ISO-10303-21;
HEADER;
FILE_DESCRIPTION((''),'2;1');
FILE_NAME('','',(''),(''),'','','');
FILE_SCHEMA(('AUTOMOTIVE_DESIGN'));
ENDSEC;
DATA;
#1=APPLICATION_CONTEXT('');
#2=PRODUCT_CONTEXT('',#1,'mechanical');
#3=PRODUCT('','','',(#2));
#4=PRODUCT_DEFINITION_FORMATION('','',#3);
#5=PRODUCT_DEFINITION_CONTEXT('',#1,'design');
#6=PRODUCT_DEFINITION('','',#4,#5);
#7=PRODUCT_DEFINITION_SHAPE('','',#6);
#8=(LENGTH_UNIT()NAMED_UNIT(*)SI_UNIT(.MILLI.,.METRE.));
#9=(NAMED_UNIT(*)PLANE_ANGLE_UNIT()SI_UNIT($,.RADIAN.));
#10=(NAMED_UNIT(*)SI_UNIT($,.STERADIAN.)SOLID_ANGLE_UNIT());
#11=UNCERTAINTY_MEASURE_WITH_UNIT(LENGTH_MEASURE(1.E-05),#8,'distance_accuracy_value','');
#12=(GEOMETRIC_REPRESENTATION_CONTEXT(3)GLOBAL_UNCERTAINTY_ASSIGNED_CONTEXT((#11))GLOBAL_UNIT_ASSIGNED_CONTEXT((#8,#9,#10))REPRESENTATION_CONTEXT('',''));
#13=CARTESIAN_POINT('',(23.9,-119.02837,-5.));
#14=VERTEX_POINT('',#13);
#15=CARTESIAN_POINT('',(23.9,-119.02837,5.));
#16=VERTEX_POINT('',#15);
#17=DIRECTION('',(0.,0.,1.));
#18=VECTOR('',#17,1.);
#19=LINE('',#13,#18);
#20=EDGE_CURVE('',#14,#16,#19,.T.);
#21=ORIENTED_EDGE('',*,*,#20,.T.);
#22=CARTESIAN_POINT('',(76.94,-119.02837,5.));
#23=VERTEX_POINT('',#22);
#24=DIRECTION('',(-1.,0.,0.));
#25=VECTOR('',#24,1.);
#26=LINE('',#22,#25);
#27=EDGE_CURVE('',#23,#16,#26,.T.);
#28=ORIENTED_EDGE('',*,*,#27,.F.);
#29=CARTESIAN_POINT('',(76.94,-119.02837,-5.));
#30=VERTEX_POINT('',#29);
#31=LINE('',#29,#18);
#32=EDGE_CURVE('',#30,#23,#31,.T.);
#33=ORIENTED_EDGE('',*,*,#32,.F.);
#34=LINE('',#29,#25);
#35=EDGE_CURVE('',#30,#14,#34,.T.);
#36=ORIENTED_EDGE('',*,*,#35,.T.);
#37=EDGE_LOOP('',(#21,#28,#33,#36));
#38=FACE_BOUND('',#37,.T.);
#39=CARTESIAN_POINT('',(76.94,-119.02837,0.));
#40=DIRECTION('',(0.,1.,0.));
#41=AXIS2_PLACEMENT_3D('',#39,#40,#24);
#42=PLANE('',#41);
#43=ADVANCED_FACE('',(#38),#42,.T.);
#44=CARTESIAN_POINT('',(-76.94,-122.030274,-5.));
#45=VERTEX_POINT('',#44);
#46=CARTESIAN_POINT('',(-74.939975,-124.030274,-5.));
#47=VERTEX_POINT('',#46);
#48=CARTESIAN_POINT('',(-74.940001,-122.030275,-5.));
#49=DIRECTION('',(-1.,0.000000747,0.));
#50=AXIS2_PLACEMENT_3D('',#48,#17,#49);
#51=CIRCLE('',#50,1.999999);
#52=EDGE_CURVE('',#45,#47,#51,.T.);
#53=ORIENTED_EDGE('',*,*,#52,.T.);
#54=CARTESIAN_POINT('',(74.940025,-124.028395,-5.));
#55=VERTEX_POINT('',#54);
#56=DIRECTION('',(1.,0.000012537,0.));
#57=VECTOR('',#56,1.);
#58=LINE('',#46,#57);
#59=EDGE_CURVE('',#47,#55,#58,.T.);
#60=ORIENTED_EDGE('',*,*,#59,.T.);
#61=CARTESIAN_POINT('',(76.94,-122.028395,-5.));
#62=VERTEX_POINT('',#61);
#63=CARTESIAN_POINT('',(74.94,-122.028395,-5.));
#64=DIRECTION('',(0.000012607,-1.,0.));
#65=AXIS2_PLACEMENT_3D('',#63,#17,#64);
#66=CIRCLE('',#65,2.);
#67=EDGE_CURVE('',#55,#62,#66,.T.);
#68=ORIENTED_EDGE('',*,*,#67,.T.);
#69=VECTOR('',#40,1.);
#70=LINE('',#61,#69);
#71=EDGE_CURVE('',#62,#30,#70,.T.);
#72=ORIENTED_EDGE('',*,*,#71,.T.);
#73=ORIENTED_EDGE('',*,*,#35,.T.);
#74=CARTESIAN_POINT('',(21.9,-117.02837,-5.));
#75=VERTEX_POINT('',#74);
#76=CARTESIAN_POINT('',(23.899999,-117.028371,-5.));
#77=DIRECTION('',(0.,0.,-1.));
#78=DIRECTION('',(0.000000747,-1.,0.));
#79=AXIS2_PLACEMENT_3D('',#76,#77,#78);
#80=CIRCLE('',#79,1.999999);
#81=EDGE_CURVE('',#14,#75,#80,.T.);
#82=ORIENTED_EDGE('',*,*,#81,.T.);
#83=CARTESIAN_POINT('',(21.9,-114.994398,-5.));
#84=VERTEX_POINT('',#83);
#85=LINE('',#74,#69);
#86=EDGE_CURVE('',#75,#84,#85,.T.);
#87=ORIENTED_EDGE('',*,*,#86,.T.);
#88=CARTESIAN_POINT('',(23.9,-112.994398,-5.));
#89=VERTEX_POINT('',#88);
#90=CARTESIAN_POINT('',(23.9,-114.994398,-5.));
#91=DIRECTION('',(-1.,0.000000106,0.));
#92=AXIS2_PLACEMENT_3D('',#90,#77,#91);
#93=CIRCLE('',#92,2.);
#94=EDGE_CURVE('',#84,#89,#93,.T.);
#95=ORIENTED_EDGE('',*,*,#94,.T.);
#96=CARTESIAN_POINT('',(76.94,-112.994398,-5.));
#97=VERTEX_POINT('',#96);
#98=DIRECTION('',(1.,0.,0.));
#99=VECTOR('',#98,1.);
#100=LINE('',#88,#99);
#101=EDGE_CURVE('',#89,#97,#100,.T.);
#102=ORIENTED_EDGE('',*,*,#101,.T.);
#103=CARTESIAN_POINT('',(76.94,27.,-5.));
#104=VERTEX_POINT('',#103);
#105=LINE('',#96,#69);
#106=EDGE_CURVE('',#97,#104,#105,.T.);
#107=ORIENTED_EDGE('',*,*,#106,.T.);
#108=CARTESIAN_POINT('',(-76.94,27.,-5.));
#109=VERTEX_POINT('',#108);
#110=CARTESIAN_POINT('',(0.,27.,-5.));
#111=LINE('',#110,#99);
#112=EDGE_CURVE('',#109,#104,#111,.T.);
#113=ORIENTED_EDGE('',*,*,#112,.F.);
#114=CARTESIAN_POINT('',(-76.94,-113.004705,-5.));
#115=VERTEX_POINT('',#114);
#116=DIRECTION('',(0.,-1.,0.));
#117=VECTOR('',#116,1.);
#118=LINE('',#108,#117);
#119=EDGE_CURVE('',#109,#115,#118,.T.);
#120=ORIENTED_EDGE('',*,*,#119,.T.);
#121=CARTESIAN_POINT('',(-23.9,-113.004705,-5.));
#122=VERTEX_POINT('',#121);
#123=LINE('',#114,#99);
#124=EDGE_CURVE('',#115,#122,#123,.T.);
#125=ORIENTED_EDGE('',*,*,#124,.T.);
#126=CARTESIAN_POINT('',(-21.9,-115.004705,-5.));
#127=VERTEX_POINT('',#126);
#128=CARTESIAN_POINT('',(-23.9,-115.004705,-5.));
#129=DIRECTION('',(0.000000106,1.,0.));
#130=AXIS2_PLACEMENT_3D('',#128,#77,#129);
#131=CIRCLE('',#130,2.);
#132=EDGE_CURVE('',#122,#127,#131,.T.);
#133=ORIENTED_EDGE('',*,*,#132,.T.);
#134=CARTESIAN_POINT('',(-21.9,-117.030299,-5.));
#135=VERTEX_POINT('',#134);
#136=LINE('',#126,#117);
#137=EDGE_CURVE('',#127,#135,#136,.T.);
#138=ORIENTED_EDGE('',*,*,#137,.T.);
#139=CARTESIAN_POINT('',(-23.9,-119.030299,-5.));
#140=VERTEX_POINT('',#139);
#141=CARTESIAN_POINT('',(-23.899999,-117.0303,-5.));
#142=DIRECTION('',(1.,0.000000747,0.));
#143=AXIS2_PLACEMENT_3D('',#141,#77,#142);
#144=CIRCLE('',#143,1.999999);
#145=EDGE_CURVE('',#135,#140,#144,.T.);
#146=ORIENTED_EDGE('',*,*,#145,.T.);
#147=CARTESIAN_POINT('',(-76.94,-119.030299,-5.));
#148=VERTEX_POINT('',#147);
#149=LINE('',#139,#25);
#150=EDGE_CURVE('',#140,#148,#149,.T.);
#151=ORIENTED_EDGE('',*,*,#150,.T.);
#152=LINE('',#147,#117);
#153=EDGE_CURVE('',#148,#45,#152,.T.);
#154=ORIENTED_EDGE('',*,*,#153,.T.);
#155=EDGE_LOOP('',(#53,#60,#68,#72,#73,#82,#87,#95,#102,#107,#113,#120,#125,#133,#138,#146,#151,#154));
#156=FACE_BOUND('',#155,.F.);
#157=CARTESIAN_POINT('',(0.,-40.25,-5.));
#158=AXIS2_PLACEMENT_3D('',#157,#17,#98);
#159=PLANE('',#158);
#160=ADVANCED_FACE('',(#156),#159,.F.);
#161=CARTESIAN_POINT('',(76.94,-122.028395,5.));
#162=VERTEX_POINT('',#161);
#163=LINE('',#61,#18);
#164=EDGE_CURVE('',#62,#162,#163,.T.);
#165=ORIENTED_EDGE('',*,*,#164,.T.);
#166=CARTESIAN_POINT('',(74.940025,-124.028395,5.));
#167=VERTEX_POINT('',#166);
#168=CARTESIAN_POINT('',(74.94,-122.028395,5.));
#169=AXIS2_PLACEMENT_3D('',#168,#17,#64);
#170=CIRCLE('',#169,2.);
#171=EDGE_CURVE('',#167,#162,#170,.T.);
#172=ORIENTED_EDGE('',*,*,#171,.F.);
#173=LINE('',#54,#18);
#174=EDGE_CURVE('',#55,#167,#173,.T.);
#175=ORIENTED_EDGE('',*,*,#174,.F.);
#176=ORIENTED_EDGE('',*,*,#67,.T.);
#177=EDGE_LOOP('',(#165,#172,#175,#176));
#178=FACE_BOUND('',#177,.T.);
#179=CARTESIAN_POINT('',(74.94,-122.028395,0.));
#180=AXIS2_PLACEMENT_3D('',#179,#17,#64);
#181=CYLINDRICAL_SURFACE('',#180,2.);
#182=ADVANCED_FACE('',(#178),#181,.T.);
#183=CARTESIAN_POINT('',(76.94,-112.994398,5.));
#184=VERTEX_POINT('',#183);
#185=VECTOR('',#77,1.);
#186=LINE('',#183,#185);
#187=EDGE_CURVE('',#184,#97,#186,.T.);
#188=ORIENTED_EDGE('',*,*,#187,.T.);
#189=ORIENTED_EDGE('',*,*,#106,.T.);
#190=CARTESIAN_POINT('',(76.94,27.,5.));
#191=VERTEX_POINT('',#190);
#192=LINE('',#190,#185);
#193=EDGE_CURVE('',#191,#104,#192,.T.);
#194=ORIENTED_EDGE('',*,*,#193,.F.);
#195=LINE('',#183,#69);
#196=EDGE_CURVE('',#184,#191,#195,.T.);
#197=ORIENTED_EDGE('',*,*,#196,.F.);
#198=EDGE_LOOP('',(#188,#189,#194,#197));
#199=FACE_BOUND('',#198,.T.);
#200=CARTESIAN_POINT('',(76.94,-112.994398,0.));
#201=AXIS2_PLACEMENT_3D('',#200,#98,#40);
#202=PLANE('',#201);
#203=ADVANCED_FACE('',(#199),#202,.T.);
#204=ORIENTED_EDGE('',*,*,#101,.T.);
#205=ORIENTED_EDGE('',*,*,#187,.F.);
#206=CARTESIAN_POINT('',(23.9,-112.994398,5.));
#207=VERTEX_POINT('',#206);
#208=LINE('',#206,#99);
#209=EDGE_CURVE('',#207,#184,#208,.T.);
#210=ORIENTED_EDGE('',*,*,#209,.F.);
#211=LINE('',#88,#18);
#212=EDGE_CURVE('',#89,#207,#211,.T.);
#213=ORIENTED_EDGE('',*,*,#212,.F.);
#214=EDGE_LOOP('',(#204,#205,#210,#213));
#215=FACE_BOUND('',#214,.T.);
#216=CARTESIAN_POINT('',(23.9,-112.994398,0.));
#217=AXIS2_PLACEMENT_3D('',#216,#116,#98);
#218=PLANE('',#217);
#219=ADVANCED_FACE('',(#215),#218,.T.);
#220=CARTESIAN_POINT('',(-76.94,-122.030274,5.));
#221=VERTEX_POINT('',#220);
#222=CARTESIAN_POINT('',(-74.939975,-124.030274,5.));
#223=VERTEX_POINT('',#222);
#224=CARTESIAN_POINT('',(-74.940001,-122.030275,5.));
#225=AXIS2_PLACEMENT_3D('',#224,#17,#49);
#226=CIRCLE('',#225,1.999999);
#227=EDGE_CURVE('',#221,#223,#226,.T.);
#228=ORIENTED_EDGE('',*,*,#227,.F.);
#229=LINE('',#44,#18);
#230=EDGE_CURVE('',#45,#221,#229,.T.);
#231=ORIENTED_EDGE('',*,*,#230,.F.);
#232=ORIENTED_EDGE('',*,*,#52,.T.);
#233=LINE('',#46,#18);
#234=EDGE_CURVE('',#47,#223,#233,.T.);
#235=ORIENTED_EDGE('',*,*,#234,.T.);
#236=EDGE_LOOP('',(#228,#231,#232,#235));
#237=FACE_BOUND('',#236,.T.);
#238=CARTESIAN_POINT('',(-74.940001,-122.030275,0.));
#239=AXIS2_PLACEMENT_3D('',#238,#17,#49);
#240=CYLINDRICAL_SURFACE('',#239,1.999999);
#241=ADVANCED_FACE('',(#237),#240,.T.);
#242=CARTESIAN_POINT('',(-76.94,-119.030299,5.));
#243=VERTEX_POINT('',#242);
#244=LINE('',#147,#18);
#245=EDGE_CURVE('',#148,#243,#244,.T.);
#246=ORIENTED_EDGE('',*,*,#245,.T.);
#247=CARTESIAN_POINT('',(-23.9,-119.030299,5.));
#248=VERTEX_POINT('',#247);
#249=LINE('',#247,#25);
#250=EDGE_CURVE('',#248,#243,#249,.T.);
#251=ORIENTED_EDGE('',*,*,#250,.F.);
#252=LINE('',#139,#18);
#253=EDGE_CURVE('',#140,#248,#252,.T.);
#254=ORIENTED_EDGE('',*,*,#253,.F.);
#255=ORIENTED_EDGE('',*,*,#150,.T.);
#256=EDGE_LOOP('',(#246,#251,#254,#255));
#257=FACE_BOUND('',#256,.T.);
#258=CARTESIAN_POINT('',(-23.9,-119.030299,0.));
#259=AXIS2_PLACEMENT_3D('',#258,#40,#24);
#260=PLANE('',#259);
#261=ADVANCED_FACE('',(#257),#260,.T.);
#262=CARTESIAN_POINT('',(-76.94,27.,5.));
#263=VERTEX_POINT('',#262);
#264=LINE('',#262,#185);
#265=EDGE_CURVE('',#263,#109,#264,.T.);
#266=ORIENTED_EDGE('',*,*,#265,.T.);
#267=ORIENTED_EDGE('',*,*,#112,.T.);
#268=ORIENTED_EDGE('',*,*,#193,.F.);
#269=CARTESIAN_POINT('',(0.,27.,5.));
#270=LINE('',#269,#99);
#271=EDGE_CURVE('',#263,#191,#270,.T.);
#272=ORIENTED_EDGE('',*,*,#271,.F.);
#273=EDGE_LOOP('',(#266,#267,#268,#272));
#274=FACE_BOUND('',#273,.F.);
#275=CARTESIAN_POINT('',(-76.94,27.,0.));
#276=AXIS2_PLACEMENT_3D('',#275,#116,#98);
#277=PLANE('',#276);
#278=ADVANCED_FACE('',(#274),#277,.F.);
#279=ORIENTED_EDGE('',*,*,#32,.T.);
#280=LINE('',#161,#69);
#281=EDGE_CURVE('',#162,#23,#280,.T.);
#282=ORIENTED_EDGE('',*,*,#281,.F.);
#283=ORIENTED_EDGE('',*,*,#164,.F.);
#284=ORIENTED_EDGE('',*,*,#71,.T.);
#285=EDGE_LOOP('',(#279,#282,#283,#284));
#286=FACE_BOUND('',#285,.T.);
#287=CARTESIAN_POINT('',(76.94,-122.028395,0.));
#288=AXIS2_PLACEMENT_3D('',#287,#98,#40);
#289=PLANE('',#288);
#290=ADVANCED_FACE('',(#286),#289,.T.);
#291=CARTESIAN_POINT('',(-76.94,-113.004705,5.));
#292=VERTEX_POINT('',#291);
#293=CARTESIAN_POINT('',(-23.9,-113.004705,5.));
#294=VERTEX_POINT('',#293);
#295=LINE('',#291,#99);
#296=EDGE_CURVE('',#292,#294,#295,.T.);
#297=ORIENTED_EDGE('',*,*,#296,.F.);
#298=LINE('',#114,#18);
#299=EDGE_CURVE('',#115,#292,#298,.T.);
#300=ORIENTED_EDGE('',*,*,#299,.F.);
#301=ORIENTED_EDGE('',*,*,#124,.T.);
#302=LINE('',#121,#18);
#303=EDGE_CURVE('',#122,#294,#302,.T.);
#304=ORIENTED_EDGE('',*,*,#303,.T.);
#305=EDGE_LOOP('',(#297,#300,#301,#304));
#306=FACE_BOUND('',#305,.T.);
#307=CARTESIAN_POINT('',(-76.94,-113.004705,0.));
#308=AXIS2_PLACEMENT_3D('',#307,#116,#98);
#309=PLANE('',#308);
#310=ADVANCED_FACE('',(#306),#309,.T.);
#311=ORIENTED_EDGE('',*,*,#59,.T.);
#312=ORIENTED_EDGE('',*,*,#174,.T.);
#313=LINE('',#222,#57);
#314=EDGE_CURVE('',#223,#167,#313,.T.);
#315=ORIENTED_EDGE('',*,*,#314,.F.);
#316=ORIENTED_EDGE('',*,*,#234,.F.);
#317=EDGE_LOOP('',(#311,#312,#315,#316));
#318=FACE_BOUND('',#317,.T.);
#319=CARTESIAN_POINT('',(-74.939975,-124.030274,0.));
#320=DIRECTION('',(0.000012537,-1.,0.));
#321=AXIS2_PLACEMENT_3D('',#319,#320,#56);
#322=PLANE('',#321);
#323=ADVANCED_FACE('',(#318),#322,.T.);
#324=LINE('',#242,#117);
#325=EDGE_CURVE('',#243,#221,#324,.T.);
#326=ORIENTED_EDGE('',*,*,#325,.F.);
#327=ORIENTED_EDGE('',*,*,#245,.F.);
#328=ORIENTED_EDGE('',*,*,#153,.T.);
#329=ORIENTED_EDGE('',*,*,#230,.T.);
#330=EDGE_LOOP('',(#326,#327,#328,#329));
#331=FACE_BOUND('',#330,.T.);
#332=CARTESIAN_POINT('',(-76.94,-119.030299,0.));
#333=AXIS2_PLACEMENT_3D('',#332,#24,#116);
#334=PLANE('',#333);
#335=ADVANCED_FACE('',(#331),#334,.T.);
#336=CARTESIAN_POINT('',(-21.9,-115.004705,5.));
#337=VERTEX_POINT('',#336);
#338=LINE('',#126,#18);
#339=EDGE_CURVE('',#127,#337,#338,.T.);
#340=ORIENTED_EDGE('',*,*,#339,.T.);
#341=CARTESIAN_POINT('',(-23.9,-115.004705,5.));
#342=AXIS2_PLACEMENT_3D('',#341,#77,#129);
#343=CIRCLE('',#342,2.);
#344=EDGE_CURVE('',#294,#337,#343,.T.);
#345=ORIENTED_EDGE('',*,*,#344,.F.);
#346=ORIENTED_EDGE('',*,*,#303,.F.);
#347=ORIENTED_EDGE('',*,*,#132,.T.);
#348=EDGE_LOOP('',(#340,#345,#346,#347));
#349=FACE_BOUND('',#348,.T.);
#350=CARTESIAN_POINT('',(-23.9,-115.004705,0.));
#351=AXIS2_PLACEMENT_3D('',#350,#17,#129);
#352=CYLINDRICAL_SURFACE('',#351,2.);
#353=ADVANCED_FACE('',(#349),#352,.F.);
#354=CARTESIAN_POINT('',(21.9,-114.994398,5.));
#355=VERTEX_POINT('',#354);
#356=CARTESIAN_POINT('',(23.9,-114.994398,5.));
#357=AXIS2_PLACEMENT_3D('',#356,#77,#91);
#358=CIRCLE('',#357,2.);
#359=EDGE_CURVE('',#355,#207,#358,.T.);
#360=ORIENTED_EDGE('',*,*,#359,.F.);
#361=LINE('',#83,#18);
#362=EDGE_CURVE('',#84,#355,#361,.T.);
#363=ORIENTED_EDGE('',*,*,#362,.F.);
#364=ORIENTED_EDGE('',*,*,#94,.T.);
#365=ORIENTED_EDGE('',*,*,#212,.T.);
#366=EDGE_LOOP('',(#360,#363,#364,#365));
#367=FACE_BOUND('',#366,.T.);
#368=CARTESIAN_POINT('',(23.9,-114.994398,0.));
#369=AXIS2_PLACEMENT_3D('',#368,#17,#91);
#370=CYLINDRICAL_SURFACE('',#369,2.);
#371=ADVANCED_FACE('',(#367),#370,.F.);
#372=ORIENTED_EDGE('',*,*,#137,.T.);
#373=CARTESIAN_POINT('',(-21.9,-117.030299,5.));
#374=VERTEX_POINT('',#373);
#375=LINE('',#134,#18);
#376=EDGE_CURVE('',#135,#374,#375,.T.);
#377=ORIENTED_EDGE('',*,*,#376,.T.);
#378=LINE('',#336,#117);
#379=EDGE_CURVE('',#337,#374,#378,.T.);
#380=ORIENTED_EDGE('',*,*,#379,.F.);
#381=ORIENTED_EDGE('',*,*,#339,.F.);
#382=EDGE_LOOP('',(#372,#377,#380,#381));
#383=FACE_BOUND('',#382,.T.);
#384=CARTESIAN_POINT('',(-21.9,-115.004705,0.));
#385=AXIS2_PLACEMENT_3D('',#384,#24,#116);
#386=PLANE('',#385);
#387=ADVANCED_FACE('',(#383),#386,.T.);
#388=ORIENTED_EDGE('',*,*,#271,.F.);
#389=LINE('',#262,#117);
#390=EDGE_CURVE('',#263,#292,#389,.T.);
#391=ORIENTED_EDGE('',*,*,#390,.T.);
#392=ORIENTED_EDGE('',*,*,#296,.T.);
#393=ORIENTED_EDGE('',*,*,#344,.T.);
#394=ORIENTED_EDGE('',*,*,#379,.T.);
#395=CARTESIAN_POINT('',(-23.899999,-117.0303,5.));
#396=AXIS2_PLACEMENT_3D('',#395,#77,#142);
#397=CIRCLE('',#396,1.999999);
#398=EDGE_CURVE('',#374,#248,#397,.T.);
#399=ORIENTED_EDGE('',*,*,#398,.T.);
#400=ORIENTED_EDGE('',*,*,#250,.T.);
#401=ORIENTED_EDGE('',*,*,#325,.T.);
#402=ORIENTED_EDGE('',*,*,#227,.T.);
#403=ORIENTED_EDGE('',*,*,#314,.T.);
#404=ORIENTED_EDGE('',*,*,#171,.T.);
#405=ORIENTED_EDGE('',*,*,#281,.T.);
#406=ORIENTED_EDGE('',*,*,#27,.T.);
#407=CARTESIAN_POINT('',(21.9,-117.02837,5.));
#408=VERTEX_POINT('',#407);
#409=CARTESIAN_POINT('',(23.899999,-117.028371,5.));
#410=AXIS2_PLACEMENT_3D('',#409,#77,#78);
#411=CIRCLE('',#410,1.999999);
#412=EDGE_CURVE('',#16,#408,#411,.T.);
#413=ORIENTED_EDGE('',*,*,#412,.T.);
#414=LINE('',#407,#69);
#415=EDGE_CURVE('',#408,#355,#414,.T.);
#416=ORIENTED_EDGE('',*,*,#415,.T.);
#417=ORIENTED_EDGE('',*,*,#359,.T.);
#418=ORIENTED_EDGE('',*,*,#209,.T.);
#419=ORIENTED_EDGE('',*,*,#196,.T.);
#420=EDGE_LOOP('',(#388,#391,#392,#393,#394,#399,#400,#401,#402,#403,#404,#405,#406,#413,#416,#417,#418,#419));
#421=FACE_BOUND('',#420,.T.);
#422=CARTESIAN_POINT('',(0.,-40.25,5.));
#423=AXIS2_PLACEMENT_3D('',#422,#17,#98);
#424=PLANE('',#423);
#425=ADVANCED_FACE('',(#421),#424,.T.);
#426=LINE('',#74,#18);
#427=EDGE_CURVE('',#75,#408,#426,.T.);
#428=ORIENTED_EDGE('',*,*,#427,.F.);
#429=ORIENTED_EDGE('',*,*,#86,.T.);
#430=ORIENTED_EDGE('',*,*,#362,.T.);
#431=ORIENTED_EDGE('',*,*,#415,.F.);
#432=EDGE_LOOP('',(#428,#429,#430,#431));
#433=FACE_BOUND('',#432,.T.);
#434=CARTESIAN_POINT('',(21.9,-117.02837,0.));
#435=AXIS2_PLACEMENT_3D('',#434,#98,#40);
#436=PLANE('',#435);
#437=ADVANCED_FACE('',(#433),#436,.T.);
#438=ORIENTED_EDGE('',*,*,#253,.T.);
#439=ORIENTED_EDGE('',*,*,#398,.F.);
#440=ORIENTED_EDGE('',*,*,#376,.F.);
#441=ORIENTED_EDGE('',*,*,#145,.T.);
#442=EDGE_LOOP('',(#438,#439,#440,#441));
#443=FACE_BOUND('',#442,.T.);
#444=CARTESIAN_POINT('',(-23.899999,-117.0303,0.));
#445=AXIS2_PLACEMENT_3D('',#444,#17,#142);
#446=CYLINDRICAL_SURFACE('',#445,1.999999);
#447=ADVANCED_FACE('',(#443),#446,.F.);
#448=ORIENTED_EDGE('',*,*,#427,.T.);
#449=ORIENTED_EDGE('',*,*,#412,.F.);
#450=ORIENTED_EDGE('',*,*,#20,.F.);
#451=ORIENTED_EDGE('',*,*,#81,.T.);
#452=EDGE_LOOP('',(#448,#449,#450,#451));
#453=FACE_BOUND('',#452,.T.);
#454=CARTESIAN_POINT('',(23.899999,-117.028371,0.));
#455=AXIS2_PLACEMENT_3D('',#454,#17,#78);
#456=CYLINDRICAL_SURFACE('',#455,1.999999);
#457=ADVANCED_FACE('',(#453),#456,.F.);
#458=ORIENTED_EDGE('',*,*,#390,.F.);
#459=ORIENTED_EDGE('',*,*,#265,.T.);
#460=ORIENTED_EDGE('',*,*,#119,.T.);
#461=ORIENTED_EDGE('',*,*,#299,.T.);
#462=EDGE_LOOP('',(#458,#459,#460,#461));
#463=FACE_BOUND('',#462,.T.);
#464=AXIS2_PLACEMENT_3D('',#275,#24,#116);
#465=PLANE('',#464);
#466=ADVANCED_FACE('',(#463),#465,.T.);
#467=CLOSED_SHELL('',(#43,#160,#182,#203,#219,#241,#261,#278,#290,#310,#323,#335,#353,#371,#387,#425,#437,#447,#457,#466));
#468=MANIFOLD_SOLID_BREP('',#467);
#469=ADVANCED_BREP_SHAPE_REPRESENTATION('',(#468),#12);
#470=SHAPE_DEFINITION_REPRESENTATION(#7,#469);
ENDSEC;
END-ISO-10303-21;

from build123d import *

# Parameters (mm, degrees)
F0_W     = 153.88
F0_H     = 134.5
F1_DEPTH = 5


with BuildPart() as f1:
    # F0 (on Top) → F1 (new body, symmetric)
    with BuildSketch(Plane.XY):
        with Locations((0, -40.25)):
            Rectangle(F0_W, F0_H)
        with BuildLine():
            Line((76.94, -107.5), (-76.94, -107.5))
            Line((-76.94, -107.5), (-76.94, -113.004705))
            Line((-76.94, -113.004705), (-23.9, -113.004705))
            ThreePointArc((-23.9, -113.004705), (-22.485786, -113.590492), (-21.9, -115.004705))
            Line((-21.9, -115.004705), (-21.9, -117.030299))
            ThreePointArc((-21.9, -117.030299), (-22.485786, -118.444513), (-23.9, -119.030299))
            Line((-23.9, -119.030299), (-76.94, -119.030299))
            Line((-76.94, -119.030299), (-76.94, -122.030274))
            ThreePointArc((-76.94, -122.030274), (-76.354205, -123.444497), (-74.939975, -124.030274))
            Line((-74.939975, -124.030274), (74.940025, -124.028395))
            ThreePointArc((74.940025, -124.028395), (76.354222, -123.4426), (76.94, -122.028395))
            Line((76.94, -122.028395), (76.94, -119.02837))
            Line((76.94, -119.02837), (23.9, -119.02837))
            ThreePointArc((23.9, -119.02837), (22.485786, -118.442584), (21.9, -117.02837))
            Line((21.9, -117.02837), (21.9, -114.994398))
            ThreePointArc((21.9, -114.994398), (22.485786, -113.580185), (23.9, -112.994398))
            Line((23.9, -112.994398), (76.94, -112.994398))
            Line((76.94, -112.994398), (76.94, -107.5))
        make_face()
    extrude(amount=F1_DEPTH, both=True)


solid = f1.part
